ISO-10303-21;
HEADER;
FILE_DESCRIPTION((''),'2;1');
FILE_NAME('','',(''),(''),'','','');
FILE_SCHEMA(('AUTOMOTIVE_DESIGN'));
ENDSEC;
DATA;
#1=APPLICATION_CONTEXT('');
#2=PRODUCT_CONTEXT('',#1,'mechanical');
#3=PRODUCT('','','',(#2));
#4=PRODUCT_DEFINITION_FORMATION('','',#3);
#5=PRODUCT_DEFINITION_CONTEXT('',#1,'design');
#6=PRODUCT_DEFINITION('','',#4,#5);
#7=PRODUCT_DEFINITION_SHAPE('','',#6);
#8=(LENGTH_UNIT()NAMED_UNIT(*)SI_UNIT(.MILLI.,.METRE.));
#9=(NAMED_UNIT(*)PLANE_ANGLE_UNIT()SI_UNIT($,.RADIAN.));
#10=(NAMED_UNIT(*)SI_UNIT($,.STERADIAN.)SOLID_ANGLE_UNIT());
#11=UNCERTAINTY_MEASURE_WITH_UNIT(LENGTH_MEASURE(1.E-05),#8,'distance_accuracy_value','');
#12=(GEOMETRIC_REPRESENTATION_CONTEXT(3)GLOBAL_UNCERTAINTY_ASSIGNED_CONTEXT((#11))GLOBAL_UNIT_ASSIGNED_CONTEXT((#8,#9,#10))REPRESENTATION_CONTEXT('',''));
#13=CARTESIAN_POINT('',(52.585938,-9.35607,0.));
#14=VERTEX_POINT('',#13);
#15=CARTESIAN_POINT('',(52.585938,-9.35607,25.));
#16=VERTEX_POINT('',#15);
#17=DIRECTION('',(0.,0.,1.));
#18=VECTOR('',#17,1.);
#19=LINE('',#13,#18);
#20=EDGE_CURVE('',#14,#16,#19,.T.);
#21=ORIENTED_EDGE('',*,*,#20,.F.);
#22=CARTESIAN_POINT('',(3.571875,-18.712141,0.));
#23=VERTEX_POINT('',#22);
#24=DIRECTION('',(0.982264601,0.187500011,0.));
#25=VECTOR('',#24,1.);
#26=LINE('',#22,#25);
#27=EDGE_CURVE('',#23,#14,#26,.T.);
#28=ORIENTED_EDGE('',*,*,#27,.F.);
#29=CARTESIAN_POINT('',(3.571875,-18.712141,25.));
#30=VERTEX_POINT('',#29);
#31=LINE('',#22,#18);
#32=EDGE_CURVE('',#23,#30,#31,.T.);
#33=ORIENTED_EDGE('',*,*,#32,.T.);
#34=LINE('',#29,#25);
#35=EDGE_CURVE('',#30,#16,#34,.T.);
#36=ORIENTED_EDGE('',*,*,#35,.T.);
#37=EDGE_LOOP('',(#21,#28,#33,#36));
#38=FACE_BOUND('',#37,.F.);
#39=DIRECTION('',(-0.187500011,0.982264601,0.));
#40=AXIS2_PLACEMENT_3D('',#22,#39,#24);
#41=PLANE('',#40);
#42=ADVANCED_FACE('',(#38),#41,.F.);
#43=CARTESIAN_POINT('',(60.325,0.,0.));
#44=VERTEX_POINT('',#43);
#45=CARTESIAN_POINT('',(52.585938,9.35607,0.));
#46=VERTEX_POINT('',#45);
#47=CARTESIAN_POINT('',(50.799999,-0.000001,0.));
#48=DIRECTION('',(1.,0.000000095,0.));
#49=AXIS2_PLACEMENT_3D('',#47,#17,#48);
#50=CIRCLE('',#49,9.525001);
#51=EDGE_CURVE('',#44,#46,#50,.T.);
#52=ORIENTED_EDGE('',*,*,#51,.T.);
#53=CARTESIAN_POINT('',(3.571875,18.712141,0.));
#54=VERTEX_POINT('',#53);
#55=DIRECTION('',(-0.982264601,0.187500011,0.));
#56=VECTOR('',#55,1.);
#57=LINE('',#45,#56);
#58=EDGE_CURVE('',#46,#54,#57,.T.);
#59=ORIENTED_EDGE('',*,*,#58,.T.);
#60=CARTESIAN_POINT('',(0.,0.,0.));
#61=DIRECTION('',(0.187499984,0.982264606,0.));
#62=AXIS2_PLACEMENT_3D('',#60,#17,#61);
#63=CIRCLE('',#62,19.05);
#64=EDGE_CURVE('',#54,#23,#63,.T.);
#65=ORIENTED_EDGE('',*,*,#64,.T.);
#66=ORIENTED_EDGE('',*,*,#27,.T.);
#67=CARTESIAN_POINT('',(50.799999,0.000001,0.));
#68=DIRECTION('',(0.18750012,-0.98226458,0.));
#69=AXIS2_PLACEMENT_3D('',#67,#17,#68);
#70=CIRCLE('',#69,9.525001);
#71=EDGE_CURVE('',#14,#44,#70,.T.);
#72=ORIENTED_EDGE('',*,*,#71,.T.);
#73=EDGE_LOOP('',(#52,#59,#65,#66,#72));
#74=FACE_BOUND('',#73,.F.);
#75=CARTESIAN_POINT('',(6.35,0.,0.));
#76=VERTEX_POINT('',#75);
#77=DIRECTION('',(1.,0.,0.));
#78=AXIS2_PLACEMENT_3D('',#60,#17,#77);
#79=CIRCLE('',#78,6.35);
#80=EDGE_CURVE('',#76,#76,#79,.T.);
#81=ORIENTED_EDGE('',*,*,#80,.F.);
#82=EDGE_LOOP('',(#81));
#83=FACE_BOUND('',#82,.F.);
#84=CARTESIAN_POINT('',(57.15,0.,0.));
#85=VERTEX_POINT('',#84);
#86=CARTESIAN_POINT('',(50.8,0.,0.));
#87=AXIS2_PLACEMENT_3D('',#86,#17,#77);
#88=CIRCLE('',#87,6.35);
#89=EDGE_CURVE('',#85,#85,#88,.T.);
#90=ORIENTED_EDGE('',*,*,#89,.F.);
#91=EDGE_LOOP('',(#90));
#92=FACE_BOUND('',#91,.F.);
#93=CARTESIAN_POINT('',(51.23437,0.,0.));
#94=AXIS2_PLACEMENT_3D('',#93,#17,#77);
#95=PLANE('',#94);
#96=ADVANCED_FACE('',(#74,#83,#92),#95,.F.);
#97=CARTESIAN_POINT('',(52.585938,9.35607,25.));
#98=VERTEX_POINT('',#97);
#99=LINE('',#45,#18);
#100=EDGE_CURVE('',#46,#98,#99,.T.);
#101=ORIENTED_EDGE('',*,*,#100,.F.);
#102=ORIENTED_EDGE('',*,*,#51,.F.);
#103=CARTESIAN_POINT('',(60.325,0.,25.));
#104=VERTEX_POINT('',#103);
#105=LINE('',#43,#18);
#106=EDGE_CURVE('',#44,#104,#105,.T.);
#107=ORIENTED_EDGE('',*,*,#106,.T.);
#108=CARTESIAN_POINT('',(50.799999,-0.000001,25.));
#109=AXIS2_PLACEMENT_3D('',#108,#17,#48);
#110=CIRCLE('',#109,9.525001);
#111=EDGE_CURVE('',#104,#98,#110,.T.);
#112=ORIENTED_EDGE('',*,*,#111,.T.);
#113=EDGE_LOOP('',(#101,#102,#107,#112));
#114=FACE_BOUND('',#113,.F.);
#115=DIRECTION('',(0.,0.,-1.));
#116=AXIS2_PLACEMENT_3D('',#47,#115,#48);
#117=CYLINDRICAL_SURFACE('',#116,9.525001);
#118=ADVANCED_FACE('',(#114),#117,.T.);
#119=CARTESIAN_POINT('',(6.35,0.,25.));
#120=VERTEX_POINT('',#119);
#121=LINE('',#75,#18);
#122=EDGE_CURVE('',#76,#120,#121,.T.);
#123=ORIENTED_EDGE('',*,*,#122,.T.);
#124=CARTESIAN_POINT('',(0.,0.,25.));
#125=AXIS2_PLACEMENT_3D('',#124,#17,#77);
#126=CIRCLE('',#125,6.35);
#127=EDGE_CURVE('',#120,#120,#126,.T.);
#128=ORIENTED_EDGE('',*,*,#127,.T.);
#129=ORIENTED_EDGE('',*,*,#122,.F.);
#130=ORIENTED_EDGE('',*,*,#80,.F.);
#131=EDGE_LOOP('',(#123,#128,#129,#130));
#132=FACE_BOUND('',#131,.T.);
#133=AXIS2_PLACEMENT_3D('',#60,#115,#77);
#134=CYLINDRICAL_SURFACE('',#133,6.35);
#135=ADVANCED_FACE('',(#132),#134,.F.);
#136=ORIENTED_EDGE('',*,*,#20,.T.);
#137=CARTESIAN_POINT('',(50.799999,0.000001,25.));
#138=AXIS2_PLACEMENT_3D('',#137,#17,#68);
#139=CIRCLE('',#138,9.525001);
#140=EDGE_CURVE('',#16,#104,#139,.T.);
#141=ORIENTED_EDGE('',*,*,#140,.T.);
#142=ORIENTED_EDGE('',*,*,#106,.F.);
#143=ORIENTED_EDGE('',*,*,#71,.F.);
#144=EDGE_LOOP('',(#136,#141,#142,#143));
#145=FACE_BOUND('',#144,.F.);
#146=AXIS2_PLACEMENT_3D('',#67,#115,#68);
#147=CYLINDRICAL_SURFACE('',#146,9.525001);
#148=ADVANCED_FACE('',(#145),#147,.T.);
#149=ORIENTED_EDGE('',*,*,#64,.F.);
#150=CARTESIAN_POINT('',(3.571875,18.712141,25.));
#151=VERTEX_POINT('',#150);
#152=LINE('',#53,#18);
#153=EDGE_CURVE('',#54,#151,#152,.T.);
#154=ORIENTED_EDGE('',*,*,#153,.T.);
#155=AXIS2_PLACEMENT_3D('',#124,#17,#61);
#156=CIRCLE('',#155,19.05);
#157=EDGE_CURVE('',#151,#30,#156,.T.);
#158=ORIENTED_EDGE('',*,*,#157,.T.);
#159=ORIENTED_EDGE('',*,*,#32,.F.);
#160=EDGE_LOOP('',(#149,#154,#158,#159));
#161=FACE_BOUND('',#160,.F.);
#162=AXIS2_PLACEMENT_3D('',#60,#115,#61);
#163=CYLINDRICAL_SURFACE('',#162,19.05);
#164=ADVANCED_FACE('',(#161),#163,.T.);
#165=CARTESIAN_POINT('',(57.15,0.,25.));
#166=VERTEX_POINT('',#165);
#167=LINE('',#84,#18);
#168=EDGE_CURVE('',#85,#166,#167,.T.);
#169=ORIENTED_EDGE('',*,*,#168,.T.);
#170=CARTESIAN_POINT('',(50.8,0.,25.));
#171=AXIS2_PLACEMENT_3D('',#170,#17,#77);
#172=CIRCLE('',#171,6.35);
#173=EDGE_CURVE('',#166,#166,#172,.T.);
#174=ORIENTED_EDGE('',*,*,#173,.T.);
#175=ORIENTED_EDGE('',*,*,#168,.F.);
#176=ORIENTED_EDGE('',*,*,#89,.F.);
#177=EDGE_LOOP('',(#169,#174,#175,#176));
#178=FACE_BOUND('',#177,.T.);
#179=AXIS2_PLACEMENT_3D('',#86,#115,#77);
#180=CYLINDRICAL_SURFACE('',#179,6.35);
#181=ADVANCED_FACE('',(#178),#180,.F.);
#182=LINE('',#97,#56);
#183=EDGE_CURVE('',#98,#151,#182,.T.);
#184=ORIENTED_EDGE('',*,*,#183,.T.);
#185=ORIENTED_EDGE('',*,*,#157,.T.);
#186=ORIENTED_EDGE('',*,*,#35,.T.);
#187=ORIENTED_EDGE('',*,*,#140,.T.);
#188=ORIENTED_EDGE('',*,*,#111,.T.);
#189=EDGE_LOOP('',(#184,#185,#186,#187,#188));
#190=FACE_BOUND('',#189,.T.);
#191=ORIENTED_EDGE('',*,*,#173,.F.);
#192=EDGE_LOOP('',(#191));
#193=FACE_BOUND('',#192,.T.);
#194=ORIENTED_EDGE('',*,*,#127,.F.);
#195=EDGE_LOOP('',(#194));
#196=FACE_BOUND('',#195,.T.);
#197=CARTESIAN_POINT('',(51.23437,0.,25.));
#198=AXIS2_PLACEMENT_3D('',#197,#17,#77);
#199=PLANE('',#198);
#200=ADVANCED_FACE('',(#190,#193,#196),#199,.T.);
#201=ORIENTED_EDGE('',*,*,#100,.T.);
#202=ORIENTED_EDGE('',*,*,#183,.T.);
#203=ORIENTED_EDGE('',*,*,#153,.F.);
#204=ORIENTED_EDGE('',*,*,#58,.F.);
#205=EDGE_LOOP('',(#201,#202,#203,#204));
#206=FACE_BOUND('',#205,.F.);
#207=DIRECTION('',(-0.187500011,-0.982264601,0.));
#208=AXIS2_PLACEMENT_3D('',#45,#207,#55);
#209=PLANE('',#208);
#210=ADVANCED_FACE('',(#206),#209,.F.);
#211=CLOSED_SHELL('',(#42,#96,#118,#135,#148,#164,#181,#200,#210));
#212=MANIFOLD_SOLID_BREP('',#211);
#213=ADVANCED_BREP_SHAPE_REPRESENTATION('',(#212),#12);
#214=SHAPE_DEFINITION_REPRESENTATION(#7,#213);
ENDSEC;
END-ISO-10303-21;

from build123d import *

# Parameters (mm, degrees)
F0_R     = 6.35
F1_DEPTH = 25


with BuildPart() as f1:
    # F0 (on Top) → F1 (new body)
    with BuildSketch(Plane.XY):
        with BuildLine():
            ThreePointArc((60.325, 0), (58.139505, 6.07102), (52.585938, 9.35607))
            ThreePointArc((52.585938, 9.35607), (41.275, 0), (52.585938, -9.35607))
            ThreePointArc((52.585938, -9.35607), (58.139505, -6.07102), (60.325, 0))
        make_face()
        with Locations((50.8, 0)):
            Circle(F0_R, mode=Mode.SUBTRACT)
        with BuildLine():
            ThreePointArc((3.571875, 18.712141), (14.679011, 12.14204), (19.05, 0))
            ThreePointArc((19.05, 0), (14.679011, -12.14204), (3.571875, -18.712141))
            Line((3.571875, -18.712141), (52.585938, -9.35607))
            ThreePointArc((52.585938, -9.35607), (41.275, 0), (52.585938, 9.35607))
            Line((52.585938, 9.35607), (3.571875, 18.712141))
        make_face()
        with BuildLine():
            ThreePointArc((3.571875, -18.712141), (14.679011, -12.14204), (19.05, 0))
            ThreePointArc((19.05, 0), (14.679011, 12.14204), (3.571875, 18.712141))
            ThreePointArc((3.571875, 18.712141), (-19.05, 0), (3.571875, -18.712141))
        make_face()
        Circle(F0_R, mode=Mode.SUBTRACT)
    extrude(amount=F1_DEPTH)


solid = f1.part
